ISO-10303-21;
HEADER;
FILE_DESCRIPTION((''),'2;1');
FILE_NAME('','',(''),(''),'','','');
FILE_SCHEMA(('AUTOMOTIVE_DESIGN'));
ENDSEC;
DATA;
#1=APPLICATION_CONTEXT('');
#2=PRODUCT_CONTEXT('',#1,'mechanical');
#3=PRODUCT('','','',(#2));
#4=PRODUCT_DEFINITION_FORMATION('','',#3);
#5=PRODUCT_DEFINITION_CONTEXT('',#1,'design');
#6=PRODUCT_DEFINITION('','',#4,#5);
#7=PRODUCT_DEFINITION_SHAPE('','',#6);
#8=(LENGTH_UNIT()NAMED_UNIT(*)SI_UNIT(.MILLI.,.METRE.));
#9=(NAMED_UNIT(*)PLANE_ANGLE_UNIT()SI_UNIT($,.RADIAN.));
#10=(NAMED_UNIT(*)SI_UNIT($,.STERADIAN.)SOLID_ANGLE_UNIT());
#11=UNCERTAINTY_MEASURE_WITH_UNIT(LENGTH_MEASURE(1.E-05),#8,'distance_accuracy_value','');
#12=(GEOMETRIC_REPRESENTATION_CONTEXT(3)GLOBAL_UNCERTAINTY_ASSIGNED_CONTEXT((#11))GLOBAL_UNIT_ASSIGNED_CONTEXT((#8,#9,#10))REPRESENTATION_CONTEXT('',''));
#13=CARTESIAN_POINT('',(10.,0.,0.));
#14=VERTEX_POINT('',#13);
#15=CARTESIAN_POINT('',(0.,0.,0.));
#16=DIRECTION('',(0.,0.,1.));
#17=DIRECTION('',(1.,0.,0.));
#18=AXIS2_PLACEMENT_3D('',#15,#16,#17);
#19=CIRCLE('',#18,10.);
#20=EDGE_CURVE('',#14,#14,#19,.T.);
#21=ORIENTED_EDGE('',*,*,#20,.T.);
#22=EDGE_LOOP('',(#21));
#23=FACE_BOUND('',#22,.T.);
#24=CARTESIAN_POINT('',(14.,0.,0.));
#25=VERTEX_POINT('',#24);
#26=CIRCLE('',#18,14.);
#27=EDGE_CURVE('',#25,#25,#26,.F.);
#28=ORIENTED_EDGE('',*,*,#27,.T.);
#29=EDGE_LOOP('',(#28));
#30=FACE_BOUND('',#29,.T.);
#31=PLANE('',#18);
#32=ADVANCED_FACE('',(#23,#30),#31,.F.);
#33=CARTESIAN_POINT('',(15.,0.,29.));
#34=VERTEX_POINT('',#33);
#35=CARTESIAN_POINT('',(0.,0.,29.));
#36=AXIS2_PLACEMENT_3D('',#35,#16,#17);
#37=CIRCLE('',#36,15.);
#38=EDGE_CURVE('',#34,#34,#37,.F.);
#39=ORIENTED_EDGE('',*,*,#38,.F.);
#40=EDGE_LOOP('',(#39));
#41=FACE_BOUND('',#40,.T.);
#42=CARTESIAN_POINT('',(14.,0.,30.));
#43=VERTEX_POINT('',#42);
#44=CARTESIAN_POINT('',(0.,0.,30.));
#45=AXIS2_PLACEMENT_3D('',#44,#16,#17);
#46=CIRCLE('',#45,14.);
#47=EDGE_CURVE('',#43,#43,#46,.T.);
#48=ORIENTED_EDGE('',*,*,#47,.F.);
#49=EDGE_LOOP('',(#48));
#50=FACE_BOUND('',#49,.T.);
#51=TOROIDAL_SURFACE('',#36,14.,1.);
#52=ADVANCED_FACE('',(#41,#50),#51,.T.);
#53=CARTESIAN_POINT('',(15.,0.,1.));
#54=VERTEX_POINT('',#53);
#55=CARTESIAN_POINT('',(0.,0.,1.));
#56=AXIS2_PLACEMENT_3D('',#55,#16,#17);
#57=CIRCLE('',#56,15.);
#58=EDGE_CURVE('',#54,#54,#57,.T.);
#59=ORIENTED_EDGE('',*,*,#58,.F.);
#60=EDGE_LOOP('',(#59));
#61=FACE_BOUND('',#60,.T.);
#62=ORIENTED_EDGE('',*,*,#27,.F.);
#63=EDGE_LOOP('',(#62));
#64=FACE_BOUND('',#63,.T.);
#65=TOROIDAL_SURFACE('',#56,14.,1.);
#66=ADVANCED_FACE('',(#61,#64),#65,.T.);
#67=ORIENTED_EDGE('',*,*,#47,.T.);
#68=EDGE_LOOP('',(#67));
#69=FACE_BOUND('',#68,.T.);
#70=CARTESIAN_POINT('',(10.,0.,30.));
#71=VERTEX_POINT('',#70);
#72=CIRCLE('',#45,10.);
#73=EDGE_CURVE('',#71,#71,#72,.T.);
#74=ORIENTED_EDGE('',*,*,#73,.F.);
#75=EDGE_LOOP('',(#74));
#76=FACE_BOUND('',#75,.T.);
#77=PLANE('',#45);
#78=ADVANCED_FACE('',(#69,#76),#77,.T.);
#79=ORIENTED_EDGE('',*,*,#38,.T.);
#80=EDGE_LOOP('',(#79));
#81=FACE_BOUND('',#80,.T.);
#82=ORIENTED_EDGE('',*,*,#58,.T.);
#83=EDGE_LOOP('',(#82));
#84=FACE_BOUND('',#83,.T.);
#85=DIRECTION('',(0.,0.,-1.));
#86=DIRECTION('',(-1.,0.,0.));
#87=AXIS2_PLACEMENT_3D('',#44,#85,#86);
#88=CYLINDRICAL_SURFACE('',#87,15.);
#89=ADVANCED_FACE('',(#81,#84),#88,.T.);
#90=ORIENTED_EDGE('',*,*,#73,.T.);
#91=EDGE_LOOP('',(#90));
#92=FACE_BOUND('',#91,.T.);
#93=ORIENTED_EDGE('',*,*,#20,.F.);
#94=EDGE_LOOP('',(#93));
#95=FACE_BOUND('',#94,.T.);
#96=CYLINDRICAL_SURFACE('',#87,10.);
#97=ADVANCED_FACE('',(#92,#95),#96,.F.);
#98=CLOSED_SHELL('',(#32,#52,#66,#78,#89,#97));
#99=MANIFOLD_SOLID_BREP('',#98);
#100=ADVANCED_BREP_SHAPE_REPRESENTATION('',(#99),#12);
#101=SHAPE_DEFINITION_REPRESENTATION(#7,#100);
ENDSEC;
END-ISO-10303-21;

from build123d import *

# Parameters (mm, degrees)
SKETCH1_R           = 15
SKETCH1_R_2         = 10
BOSS_EXTRUDE1_DEPTH = 30
FILLET1_R           = 1


with BuildPart() as part:
    # Sketch1 → Boss-Extrude1 (new body)
    with BuildSketch(Plane.XY):
        Circle(SKETCH1_R)
        Circle(SKETCH1_R_2, mode=Mode.SUBTRACT)
    extrude(amount=BOSS_EXTRUDE1_DEPTH)

    # Fillet1
    fillet1_edges = [part.edges().sort_by_distance(p)[0] for p in [
        (-15, 0, 0),
        (-15, 0, 30),
    ]]
    fillet(fillet1_edges, radius=FILLET1_R)


solid = part.part
